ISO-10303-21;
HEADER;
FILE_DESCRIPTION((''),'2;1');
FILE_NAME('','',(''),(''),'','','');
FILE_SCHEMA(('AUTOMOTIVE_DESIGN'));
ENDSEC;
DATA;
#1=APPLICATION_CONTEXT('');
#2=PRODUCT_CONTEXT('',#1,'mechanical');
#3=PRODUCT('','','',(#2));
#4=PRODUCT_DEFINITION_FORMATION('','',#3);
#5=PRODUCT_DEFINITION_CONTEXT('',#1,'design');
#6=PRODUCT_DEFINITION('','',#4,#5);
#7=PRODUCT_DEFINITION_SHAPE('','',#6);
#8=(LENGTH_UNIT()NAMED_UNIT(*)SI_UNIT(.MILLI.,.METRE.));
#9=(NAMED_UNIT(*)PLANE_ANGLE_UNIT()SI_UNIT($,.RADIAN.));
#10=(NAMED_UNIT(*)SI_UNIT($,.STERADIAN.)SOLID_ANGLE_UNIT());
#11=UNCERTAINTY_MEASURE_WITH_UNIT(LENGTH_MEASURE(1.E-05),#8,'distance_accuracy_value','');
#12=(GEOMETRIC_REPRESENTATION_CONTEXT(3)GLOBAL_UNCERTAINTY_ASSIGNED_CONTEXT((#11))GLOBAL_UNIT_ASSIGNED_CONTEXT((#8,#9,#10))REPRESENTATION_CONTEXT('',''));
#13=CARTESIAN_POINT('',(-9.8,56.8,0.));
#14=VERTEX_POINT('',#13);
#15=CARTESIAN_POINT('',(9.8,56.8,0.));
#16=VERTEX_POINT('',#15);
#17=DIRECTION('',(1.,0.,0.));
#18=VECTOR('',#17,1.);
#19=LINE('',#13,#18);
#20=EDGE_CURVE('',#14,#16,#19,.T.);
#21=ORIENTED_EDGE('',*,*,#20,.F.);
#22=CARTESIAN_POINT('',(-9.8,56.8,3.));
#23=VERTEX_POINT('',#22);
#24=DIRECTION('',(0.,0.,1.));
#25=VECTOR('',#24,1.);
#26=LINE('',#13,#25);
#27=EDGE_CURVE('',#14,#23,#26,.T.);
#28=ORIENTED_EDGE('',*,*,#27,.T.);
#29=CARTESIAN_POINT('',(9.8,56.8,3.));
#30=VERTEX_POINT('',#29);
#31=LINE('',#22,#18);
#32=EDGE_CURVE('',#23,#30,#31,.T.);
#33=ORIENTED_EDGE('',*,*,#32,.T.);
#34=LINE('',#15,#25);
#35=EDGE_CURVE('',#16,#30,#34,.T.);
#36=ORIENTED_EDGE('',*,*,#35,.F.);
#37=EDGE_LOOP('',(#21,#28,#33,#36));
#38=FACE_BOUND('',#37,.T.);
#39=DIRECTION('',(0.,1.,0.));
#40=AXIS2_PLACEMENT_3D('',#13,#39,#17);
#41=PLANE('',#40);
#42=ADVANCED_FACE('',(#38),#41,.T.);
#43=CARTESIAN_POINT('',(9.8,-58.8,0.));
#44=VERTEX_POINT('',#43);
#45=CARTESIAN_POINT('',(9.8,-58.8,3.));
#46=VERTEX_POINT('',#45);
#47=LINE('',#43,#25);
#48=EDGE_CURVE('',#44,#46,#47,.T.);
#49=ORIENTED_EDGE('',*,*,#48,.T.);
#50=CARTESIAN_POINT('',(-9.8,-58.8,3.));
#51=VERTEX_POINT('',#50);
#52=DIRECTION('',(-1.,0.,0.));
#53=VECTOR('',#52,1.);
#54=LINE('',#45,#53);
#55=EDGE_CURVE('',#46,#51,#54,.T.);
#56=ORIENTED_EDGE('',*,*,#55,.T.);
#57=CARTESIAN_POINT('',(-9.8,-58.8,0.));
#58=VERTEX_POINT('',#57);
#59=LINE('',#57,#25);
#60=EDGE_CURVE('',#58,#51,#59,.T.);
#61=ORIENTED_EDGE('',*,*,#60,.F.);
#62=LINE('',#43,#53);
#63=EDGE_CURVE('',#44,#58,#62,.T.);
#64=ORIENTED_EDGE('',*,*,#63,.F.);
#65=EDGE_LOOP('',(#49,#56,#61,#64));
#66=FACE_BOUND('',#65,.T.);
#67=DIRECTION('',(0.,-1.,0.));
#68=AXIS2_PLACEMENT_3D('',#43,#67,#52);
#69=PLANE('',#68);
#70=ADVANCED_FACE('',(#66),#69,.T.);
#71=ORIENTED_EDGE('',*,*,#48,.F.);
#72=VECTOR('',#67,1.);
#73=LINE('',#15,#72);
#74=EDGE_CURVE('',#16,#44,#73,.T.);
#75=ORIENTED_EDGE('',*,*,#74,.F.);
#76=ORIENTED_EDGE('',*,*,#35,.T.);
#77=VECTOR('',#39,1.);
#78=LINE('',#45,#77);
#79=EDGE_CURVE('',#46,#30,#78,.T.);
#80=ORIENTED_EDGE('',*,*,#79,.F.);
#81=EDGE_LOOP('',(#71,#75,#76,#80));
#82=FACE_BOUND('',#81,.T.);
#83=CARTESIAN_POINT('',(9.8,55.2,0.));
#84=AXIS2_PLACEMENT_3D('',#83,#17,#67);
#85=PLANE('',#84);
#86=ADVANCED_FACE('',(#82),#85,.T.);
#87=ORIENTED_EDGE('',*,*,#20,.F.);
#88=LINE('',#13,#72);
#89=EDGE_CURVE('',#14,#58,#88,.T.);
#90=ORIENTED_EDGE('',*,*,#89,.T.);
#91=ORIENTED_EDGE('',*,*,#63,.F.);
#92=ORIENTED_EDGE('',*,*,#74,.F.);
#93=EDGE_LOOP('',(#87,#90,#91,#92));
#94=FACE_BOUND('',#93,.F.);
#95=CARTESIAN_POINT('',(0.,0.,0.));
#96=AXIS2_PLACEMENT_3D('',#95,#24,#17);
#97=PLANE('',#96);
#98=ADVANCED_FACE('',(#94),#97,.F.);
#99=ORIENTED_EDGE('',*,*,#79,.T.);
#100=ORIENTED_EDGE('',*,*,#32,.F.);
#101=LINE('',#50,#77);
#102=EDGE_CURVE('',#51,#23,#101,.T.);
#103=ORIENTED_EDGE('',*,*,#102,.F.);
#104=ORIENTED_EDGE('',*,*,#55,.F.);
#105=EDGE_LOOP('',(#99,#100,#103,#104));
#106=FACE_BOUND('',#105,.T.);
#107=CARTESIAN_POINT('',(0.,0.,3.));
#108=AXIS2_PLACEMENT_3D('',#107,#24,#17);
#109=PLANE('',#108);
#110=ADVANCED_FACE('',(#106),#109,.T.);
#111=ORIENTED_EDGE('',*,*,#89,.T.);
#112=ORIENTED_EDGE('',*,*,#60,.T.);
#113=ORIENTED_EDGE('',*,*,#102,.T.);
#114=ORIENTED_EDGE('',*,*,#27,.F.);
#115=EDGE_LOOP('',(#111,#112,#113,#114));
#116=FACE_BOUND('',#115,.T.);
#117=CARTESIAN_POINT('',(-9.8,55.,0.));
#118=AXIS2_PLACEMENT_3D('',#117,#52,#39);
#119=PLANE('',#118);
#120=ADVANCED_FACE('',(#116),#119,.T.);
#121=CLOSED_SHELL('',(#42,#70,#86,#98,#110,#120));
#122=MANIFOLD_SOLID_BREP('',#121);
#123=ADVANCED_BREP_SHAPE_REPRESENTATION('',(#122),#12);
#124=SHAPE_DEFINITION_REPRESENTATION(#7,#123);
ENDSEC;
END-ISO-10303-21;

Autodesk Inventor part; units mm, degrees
ref_plane "YZ Plane" through (0, 0, 0) normal (1, 0, 0) x (0, 1, 0)
ref_plane "XZ Plane" through (0, 0, 0) normal (0, 1, 0) x (-1, 0, 0)
ref_plane "XY Plane" through (0, 0, 0) normal (0, 0, 1) x (1, 0, 0)
sketch "Sketch1" plane through (0, 0, 0) normal (0, 0, 1) x (1, 0, 0)
  line L0 (-10, 57) -> (10, 57) projected
  line L1 (-10, 55) -> (-10, 57) projected
  line L2 (-10, 55) -> (10, 55) projected
  line L3 (10, 55) -> (10, 57) projected
  line L4 (-10, -57) -> (-10, -59) projected
  line L5 (-10, -59) -> (10, -59) projected
  line L6 (10, -57) -> (10, -59) projected
  line L7 (-10, -57) -> (10, -57) projected
  line L8 (9.8, 55.2) -> (-9.8, 55.2)
  line L9 (-9.8, 55.2) -> (-9.8, 56.8)
  line L10 (-9.8, 56.8) -> (9.8, 56.8)
  line L11 (9.8, 56.8) -> (9.8, 55.2)
  line L12 (9.8, -58.8) -> (-9.8, -58.8)
  line L13 (-9.8, -58.8) -> (-9.8, -57.2)
  line L14 (-9.8, -57.2) -> (9.8, -57.2)
  line L15 (9.8, -57.2) -> (9.8, -58.8)
  line L16 (-9.8, 55.2) -> (9.8, 55.2)
  line L17 (9.8, 55.2) -> (9.8, -57.2)
  line L18 (9.8, -57.2) -> (-9.8, -57.2)
  line L19 (-9.8, -57.2) -> (-9.8, 55.2)
  point P0 (0, 0)
  dimension "d0" = 0.2
  dimension "d1" = 0.2
extrude "Extrusion1" add sketch "Sketch1" along normal blind 3 contours L19 L8 L17 L2 | L2 L17 L7 L19 | L7 L17 L14 L19 | L9 L10 L11 L8 | L14 L15 L12 L13
properties part number "LIghtTile_new"
